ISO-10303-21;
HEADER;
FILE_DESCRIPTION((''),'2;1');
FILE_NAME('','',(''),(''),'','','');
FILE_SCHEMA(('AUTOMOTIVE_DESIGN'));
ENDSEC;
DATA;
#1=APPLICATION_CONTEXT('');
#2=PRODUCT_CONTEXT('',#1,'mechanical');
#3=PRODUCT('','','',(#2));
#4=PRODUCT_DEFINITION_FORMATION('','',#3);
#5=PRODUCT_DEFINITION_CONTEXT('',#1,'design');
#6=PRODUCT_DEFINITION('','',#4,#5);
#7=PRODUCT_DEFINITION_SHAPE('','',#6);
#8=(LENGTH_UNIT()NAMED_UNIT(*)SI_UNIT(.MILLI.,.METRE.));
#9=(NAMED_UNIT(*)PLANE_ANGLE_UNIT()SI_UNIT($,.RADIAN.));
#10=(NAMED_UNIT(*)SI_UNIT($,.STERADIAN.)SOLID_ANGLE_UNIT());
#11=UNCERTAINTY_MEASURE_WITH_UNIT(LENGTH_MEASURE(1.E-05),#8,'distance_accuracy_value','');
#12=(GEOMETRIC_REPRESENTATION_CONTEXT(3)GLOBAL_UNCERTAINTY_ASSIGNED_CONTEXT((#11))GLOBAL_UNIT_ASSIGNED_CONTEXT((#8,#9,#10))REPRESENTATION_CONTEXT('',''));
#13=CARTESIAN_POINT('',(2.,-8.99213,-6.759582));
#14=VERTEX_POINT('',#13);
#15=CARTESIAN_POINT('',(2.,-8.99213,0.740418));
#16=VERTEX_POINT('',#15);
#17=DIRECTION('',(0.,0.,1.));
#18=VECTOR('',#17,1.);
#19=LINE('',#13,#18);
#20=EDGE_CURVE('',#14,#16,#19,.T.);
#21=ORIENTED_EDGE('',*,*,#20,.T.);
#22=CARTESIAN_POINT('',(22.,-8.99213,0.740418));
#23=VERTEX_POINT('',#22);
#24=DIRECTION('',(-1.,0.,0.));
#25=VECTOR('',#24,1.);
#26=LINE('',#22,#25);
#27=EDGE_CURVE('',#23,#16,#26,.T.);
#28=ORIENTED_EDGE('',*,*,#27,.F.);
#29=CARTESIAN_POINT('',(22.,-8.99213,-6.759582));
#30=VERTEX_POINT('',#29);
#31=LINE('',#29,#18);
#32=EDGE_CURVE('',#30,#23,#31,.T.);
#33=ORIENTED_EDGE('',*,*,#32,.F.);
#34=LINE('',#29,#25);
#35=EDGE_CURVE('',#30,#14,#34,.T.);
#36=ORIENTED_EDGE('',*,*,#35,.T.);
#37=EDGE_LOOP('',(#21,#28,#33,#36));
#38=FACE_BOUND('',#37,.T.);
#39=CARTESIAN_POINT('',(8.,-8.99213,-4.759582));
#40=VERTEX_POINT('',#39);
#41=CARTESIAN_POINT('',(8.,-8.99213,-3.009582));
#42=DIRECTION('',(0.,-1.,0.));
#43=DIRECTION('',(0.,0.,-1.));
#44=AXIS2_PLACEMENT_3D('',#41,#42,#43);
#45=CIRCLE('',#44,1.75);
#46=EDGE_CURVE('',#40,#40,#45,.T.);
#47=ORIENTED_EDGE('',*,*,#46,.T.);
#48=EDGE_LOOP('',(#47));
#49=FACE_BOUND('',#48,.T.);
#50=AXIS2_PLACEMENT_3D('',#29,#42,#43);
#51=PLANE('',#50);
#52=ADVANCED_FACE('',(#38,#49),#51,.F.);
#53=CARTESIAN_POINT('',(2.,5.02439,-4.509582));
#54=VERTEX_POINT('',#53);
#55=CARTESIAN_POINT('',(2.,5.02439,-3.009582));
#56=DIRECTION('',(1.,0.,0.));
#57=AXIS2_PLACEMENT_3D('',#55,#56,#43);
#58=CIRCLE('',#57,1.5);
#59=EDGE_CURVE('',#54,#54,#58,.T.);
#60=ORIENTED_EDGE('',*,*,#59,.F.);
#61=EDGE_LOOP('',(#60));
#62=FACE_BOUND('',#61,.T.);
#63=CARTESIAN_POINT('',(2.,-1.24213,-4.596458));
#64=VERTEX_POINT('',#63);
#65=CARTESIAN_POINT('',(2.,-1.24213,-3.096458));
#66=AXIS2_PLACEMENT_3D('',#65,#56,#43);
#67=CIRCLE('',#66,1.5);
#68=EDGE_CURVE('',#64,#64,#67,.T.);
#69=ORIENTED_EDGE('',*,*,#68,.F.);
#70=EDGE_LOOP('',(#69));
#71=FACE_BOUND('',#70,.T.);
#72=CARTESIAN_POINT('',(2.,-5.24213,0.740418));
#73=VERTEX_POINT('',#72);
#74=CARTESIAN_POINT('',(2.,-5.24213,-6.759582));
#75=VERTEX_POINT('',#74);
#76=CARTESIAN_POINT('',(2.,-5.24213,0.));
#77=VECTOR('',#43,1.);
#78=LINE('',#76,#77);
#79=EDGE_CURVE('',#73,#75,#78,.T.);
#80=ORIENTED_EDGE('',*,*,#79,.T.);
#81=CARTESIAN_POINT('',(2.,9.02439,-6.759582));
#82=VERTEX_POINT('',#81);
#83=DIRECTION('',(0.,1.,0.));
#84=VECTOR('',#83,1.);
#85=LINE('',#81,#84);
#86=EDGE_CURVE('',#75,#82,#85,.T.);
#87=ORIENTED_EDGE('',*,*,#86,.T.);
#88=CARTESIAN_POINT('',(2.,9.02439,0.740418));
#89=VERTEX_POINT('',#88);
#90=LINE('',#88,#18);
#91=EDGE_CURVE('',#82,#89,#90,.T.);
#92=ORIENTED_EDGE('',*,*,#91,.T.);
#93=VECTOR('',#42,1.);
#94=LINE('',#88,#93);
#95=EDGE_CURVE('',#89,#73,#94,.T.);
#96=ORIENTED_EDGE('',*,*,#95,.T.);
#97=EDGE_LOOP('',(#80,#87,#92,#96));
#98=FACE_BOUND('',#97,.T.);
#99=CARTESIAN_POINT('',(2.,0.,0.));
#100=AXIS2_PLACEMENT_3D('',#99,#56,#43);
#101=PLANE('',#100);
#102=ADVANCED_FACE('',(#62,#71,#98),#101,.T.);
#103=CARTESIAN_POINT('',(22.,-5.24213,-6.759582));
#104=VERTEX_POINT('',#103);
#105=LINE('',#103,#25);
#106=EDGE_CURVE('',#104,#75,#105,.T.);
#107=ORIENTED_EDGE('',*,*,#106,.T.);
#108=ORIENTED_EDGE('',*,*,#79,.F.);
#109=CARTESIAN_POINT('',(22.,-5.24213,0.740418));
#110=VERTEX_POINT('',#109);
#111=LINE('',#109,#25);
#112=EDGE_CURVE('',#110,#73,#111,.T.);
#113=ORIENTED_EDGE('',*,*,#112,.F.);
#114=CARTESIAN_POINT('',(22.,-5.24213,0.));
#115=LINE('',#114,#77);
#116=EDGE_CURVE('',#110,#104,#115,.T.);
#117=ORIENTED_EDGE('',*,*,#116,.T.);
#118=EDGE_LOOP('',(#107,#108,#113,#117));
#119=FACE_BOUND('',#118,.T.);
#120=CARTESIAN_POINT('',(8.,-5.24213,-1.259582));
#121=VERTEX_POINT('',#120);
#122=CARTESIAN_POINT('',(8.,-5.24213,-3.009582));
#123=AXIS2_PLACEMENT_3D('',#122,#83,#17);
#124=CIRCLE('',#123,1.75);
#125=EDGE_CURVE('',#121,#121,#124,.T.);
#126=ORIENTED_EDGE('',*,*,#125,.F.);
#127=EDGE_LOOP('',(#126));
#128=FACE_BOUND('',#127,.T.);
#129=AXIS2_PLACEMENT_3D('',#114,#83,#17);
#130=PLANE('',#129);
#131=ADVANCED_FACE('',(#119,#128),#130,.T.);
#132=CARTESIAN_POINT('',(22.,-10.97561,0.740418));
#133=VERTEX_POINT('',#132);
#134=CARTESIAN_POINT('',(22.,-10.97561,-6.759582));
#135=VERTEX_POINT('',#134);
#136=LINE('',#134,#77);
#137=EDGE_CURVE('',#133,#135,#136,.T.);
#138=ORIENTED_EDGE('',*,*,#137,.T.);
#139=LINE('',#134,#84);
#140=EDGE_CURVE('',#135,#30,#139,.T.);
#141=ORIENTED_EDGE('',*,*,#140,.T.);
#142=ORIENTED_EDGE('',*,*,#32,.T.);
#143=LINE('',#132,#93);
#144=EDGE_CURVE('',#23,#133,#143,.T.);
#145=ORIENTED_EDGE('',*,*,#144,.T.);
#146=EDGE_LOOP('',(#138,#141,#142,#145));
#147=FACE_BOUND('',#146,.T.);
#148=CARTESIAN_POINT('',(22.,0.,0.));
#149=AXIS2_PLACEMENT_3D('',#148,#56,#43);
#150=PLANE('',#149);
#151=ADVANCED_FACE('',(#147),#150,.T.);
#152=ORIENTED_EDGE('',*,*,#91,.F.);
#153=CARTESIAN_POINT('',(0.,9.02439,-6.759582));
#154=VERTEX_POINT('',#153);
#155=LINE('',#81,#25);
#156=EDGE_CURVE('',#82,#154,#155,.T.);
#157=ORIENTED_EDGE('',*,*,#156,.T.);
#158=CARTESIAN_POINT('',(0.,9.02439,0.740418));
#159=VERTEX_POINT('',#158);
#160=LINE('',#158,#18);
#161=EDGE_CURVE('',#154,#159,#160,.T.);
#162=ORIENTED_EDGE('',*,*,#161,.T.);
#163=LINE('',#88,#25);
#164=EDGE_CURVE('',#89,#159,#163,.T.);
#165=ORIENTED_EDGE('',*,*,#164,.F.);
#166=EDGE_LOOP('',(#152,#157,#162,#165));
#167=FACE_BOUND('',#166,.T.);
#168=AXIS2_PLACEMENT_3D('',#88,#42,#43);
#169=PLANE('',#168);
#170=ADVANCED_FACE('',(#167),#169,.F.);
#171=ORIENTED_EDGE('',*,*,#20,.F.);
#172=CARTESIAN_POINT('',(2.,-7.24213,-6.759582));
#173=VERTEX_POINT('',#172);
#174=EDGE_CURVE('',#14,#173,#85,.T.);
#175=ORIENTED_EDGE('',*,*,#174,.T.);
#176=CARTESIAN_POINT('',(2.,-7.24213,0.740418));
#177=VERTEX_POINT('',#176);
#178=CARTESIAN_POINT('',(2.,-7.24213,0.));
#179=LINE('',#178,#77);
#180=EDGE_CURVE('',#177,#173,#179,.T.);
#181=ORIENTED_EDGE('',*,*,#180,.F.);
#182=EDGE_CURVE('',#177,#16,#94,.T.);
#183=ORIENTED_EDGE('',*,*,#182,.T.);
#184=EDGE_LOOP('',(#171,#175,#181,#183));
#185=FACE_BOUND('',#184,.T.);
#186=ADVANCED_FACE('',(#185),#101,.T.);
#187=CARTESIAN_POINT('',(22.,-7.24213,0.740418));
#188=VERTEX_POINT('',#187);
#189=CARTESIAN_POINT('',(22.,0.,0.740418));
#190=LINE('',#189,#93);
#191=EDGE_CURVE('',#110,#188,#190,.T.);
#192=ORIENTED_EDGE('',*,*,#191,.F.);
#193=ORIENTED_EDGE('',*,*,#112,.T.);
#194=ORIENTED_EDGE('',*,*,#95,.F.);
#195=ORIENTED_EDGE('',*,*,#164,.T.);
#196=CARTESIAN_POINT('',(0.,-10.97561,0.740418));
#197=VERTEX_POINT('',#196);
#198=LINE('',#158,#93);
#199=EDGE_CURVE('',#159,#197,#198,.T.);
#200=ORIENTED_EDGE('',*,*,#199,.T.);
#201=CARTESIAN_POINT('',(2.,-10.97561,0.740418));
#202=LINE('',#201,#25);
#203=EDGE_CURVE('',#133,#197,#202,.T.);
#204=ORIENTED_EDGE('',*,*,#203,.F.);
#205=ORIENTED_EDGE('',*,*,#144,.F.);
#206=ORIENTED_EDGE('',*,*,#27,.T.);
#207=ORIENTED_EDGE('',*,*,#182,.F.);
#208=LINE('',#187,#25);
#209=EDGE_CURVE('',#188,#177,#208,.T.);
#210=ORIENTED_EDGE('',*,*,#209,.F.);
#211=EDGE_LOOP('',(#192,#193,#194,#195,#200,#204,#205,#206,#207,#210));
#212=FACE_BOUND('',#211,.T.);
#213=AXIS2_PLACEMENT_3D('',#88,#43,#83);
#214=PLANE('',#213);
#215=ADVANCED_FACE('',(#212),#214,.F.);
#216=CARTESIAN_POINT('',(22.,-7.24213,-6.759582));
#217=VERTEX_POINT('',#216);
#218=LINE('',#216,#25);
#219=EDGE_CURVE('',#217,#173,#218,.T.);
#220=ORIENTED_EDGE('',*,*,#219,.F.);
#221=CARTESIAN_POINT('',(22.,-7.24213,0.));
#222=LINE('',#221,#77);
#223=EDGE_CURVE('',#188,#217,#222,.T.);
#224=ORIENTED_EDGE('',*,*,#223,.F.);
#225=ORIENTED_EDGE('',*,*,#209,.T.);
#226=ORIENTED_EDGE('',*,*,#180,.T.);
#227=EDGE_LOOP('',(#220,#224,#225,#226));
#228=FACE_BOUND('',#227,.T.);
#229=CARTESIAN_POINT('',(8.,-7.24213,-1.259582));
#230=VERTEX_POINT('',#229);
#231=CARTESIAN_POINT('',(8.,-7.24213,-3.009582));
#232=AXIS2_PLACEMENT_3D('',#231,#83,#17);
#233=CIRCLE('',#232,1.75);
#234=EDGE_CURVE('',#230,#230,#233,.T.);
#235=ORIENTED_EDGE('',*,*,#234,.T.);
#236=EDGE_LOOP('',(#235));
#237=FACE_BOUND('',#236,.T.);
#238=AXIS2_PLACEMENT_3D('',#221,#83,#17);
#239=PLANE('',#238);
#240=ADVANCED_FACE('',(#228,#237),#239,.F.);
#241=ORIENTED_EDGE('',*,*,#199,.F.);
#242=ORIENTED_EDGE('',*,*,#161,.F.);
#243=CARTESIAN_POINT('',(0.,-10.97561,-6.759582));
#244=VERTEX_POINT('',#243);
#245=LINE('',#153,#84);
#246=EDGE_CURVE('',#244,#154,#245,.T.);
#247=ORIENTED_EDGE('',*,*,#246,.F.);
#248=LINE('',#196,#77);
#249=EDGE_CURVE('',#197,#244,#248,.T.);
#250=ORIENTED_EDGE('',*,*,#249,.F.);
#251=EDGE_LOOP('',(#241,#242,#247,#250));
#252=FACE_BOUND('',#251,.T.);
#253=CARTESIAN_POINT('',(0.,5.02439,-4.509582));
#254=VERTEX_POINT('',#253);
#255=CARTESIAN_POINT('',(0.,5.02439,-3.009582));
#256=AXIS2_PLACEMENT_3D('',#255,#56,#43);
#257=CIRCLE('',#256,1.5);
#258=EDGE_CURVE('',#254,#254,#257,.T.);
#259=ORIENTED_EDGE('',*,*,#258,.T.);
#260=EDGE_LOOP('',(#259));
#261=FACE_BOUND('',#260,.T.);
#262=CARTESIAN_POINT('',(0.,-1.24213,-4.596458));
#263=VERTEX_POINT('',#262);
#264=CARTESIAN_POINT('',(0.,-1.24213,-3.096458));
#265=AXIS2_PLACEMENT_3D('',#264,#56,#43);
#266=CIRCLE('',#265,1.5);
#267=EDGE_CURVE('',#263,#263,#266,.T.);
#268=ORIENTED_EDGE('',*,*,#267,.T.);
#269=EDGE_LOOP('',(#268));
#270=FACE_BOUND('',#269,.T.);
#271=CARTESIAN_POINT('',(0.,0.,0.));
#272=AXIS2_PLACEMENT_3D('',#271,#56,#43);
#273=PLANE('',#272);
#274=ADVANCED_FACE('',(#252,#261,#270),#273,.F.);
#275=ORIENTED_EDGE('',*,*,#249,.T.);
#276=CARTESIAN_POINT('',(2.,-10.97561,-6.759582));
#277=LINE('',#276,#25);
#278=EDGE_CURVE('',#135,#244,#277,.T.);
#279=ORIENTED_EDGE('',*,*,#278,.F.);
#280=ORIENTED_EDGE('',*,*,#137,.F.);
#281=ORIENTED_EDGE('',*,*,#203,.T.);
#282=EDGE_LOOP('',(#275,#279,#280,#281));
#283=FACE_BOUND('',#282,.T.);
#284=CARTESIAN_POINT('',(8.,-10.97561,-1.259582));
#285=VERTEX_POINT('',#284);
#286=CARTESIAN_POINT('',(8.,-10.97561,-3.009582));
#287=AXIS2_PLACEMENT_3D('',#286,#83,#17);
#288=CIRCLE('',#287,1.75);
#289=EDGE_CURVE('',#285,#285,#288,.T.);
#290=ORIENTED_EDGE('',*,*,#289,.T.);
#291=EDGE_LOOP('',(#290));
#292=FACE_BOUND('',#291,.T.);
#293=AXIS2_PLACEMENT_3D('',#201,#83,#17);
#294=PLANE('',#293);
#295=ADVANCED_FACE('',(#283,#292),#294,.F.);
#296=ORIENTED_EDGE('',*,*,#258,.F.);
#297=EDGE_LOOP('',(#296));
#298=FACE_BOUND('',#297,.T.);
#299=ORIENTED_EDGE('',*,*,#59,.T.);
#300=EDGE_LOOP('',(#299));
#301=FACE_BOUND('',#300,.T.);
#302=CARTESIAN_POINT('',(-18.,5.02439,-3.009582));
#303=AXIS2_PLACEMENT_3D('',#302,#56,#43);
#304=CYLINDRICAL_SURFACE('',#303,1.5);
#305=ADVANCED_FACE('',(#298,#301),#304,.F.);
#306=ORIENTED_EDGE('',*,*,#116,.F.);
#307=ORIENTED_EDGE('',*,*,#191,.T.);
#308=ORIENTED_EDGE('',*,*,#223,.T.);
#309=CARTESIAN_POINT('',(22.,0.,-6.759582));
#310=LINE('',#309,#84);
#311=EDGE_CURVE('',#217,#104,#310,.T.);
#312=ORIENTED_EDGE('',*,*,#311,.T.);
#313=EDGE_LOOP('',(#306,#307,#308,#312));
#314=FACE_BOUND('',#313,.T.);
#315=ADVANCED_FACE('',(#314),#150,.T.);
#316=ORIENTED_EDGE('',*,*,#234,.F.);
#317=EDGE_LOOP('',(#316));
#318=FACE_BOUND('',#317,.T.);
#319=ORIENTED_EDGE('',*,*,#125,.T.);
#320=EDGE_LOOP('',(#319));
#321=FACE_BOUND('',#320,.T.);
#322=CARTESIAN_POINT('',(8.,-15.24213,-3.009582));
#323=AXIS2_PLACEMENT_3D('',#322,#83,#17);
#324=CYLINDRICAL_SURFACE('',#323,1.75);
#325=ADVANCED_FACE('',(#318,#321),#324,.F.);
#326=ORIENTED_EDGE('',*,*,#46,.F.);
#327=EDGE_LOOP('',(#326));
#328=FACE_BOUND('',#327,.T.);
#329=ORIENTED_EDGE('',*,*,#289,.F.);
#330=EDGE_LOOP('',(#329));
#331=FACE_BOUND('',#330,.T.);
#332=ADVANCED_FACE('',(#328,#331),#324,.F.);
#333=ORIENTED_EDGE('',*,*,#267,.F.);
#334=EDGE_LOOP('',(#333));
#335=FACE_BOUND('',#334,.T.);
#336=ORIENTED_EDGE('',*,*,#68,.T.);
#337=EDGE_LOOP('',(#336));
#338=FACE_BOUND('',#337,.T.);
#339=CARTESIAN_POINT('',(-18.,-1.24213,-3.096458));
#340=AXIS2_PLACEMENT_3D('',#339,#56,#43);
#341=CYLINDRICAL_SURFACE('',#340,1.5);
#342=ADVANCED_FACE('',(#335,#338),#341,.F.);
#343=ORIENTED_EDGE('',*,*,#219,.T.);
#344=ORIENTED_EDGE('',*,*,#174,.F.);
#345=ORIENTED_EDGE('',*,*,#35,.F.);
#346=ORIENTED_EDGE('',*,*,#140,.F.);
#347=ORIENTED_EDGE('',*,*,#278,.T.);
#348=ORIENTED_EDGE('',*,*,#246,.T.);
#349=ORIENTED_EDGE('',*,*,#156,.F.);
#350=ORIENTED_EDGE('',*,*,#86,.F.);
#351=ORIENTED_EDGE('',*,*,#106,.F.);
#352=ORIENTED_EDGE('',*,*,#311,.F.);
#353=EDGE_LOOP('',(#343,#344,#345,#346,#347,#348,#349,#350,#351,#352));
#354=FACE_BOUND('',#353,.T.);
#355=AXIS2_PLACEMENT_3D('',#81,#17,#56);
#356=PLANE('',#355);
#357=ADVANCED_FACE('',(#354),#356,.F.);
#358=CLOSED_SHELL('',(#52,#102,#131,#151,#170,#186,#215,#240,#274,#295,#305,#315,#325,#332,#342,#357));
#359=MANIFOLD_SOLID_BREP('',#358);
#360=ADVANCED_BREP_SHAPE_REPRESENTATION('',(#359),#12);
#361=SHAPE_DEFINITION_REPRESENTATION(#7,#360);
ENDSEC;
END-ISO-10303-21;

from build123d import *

# Parameters (mm, degrees)
SKETCH1_W           = 7.5
SKETCH1_H           = 20
BOSS_EXTRUDE2_DEPTH = 2
SKETCH2_W           = 7.5
SKETCH2_H           = 1.98347932
BOSS_EXTRUDE3_DEPTH = 20
SKETCH3_W           = 7.5
SKETCH3_H           = 2
BOSS_EXTRUDE4_DEPTH = 20
SKETCH5_R           = 1.5
CUT_EXTRUDE1_DEPTH  = 20
SKETCH6_R           = 1.75
CUT_EXTRUDE2_DEPTH  = 10


with BuildPart() as part:
    # Sketch1 → Boss-Extrude2 (new body)
    with BuildSketch(Plane(origin=(0, 0, 0), x_dir=(0, 0, -1), z_dir=(1, 0, 0))):
        with Locations((3.009581882, -0.975609756)):
            Rectangle(SKETCH1_W, SKETCH1_H)
    extrude(amount=BOSS_EXTRUDE2_DEPTH)

    # Sketch2 → Boss-Extrude3 (add)
    with BuildSketch(Plane(origin=(2, 0, 0), x_dir=(0, 0, -1), z_dir=(1, 0, 0))):
        with Locations((3.009581882, -9.983870096)):
            Rectangle(SKETCH2_W, SKETCH2_H)
    extrude(amount=BOSS_EXTRUDE3_DEPTH)

    # Sketch3 → Boss-Extrude4 (add)
    with BuildSketch(Plane(origin=(2, 0, 0), x_dir=(0, 0, -1), z_dir=(1, 0, 0))):
        with Locations((3.009581882, -6.242130436)):
            Rectangle(SKETCH3_W, SKETCH3_H)
    extrude(amount=BOSS_EXTRUDE4_DEPTH)

    # Sketch5 → Cut-Extrude1 (cut)
    with BuildSketch(Plane(origin=(2, 0, 0), x_dir=(0, 0, -1), z_dir=(1, 0, 0))):
        with Locations((3.009581882, 5.024390244)):
            Circle(SKETCH5_R)
        with Locations((3.096458319, -1.242130436)):
            Circle(SKETCH5_R)
    extrude(amount=-CUT_EXTRUDE1_DEPTH, mode=Mode.SUBTRACT)

    # Sketch6 → Cut-Extrude2 (cut)
    with BuildSketch(Plane(origin=(0, -5.242130436, 0), x_dir=(1, 0, 0), z_dir=(0, 1, 0))):
        with Locations((8, 3.009581882)):
            Circle(SKETCH6_R)
    extrude(amount=-CUT_EXTRUDE2_DEPTH, mode=Mode.SUBTRACT)


solid = part.part
